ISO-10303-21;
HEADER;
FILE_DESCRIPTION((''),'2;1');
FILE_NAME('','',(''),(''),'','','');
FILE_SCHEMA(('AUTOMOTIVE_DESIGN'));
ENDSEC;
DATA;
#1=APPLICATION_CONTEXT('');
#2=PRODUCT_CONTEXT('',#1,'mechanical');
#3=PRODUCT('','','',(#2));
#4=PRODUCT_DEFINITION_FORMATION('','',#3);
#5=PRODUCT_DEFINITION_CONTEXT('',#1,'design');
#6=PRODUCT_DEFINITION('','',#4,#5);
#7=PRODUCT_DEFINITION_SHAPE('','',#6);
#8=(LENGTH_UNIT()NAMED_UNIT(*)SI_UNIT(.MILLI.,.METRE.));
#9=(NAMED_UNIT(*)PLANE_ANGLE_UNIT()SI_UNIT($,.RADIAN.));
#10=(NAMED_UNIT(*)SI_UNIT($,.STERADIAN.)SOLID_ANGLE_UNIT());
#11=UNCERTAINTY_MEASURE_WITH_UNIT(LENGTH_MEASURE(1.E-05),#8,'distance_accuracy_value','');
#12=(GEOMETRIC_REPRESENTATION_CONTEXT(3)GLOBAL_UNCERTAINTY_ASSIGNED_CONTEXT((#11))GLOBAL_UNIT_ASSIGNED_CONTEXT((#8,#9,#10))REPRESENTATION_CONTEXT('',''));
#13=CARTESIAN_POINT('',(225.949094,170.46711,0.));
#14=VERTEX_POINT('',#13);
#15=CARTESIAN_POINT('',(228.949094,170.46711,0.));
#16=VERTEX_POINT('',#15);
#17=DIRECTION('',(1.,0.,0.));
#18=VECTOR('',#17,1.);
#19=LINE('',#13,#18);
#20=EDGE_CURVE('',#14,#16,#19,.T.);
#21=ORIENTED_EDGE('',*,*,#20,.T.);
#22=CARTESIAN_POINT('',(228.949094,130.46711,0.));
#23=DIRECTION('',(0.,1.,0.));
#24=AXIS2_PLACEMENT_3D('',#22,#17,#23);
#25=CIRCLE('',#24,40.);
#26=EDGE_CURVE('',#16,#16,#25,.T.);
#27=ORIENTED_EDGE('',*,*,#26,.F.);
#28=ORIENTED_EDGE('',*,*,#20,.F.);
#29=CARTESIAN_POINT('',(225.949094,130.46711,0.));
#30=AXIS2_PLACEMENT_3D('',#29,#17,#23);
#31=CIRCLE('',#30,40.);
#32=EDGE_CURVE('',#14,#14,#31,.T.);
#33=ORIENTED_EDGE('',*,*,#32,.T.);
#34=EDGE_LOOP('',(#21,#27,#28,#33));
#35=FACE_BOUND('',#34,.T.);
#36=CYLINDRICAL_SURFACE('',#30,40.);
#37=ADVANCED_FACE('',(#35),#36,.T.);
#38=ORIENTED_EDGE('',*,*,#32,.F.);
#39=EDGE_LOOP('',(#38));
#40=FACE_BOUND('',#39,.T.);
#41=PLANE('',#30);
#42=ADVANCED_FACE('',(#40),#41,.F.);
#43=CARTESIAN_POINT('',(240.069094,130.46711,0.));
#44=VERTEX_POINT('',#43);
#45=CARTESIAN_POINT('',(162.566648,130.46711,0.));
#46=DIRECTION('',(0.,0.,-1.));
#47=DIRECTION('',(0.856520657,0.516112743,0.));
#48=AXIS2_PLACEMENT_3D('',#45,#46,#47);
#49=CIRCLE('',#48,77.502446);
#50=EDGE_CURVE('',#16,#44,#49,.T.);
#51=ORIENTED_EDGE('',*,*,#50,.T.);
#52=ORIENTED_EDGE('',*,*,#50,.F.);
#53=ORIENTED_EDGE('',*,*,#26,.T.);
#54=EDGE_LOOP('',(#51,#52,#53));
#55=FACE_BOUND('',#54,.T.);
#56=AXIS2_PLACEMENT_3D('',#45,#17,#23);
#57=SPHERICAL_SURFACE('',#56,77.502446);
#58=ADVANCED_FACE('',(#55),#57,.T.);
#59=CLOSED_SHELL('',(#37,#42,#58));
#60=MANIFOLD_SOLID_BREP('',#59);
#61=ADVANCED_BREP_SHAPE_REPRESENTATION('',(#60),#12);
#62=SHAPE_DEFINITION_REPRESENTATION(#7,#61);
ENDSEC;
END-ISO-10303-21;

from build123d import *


with BuildPart() as part:
    # 草图1 → 旋转1 (revolve)
    with BuildSketch(Plane.XY):
        with BuildLine():
            Line((225.949094224, 130.467109853), (225.949094224, 170.467109853))
            Line((225.949094224, 170.467109853), (228.949094224, 170.467109853))
            ThreePointArc((228.949094224, 170.467109853), (237.237362271, 151.22556837), (240.069094224, 130.467109853))
            Line((240.069094224, 130.467109853), (225.949094224, 130.467109853))
        make_face()
    revolve(axis=Axis((217.994582532, 130.467109853, 0), (1, 0, 0)))


solid = part.part
